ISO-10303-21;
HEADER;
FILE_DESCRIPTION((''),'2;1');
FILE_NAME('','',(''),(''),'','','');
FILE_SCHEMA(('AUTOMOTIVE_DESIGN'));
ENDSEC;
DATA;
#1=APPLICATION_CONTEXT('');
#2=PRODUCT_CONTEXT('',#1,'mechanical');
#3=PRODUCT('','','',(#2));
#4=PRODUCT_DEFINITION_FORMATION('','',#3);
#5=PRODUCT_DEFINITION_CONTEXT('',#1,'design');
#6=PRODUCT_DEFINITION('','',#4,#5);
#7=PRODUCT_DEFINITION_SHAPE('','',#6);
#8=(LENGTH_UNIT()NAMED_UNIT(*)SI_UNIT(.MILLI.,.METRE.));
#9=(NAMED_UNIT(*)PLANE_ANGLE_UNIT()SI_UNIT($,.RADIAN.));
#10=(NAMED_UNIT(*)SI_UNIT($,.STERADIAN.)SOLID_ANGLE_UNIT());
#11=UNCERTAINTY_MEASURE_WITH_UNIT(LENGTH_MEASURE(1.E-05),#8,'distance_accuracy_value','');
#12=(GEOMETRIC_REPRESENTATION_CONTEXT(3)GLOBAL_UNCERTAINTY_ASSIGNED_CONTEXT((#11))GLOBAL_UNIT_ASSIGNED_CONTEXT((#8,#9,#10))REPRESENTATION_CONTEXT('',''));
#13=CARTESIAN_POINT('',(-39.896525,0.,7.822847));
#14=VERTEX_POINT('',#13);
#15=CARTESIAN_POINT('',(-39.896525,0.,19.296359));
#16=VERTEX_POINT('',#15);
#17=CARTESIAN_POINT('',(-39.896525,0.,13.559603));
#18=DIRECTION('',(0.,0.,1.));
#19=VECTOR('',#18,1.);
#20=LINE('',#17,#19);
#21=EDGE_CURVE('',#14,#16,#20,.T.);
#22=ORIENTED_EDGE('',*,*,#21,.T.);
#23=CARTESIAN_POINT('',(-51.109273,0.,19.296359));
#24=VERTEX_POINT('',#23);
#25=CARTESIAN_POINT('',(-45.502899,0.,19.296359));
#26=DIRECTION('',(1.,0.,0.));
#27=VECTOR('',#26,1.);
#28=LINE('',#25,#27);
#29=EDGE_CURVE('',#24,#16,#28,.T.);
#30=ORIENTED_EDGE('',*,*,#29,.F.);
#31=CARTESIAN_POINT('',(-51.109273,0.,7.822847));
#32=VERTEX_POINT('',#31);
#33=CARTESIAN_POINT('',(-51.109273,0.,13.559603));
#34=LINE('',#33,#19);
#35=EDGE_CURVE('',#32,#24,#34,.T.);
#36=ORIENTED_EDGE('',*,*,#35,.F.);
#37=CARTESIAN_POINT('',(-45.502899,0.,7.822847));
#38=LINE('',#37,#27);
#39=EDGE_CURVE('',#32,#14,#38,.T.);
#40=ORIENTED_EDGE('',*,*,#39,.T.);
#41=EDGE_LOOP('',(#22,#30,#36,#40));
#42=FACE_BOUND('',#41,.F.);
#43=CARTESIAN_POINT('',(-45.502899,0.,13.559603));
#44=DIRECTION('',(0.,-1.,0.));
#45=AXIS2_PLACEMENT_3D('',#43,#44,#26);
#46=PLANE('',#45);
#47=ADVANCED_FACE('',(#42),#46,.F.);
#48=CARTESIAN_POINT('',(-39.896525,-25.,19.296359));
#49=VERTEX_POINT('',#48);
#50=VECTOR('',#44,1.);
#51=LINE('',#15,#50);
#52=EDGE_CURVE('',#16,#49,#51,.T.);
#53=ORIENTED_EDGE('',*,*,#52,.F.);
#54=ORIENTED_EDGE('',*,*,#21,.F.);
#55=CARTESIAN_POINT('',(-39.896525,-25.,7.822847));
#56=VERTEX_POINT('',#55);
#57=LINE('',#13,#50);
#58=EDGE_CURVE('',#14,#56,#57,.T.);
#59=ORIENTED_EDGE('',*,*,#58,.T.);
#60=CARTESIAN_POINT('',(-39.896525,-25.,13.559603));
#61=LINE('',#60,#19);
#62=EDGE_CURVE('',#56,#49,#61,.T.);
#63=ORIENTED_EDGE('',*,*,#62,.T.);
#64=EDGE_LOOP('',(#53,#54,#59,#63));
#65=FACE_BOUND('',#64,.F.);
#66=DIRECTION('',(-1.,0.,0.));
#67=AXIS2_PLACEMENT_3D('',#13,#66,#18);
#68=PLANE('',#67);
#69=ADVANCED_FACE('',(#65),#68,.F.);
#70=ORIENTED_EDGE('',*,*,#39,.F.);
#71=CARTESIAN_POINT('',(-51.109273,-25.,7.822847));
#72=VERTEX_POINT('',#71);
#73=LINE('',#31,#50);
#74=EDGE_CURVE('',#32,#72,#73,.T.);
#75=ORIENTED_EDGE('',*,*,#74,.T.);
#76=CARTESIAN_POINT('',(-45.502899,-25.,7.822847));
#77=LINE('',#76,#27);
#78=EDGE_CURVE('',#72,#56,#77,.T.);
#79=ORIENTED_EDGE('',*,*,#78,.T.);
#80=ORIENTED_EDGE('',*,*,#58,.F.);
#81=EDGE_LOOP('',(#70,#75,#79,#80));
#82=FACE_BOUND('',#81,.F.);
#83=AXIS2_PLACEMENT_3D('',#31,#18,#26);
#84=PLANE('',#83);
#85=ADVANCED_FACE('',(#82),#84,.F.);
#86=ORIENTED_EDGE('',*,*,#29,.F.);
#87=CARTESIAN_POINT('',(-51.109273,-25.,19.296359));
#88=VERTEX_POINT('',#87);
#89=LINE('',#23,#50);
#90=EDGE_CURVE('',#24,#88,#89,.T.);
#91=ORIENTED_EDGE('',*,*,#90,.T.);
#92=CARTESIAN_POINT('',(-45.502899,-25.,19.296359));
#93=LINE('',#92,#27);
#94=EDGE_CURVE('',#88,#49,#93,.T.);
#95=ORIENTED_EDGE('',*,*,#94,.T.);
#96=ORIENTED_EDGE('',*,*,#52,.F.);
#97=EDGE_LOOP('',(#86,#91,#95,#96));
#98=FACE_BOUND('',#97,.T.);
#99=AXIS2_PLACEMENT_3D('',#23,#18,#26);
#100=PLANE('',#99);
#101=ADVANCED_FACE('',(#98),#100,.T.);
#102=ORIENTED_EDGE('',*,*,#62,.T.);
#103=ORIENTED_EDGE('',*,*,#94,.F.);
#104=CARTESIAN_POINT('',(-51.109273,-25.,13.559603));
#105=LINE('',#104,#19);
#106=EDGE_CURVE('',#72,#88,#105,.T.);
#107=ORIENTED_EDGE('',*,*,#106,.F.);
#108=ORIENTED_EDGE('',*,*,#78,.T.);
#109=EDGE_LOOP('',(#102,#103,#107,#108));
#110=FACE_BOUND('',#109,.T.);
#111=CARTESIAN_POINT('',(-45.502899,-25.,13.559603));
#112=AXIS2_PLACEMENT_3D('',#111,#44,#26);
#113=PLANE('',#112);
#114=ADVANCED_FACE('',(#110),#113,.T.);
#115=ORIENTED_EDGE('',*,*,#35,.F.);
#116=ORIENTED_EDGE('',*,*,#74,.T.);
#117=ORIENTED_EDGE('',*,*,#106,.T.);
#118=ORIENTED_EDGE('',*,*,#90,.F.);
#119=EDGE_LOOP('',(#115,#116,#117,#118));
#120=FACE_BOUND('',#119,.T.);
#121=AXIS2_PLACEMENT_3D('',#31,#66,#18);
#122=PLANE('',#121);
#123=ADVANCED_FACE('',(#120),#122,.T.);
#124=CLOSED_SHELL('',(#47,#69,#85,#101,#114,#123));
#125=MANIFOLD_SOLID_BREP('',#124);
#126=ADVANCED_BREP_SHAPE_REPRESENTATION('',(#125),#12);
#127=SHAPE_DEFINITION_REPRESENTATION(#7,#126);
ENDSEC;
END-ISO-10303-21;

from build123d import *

# Parameters (mm, degrees)
F0_W     = 11.212748
F0_H     = 11.473511
F1_DEPTH = 30.8
F2_DEPTH = 25


with BuildPart() as f1:
    # F0 (on Front) → F1 (new body)
    with BuildSketch(Plane.XZ):
        with Locations((-45.502899, 13.559603)):
            Rectangle(F0_W, F0_H)
    extrude(amount=F1_DEPTH)

    # F0 (on Front) → F2 (intersect)
    with BuildSketch(Plane.XZ):
        with Locations((-45.502899, 13.559603)):
            Rectangle(F0_W, F0_H)
    extrude(amount=F2_DEPTH, mode=Mode.INTERSECT)


solid = f1.part
